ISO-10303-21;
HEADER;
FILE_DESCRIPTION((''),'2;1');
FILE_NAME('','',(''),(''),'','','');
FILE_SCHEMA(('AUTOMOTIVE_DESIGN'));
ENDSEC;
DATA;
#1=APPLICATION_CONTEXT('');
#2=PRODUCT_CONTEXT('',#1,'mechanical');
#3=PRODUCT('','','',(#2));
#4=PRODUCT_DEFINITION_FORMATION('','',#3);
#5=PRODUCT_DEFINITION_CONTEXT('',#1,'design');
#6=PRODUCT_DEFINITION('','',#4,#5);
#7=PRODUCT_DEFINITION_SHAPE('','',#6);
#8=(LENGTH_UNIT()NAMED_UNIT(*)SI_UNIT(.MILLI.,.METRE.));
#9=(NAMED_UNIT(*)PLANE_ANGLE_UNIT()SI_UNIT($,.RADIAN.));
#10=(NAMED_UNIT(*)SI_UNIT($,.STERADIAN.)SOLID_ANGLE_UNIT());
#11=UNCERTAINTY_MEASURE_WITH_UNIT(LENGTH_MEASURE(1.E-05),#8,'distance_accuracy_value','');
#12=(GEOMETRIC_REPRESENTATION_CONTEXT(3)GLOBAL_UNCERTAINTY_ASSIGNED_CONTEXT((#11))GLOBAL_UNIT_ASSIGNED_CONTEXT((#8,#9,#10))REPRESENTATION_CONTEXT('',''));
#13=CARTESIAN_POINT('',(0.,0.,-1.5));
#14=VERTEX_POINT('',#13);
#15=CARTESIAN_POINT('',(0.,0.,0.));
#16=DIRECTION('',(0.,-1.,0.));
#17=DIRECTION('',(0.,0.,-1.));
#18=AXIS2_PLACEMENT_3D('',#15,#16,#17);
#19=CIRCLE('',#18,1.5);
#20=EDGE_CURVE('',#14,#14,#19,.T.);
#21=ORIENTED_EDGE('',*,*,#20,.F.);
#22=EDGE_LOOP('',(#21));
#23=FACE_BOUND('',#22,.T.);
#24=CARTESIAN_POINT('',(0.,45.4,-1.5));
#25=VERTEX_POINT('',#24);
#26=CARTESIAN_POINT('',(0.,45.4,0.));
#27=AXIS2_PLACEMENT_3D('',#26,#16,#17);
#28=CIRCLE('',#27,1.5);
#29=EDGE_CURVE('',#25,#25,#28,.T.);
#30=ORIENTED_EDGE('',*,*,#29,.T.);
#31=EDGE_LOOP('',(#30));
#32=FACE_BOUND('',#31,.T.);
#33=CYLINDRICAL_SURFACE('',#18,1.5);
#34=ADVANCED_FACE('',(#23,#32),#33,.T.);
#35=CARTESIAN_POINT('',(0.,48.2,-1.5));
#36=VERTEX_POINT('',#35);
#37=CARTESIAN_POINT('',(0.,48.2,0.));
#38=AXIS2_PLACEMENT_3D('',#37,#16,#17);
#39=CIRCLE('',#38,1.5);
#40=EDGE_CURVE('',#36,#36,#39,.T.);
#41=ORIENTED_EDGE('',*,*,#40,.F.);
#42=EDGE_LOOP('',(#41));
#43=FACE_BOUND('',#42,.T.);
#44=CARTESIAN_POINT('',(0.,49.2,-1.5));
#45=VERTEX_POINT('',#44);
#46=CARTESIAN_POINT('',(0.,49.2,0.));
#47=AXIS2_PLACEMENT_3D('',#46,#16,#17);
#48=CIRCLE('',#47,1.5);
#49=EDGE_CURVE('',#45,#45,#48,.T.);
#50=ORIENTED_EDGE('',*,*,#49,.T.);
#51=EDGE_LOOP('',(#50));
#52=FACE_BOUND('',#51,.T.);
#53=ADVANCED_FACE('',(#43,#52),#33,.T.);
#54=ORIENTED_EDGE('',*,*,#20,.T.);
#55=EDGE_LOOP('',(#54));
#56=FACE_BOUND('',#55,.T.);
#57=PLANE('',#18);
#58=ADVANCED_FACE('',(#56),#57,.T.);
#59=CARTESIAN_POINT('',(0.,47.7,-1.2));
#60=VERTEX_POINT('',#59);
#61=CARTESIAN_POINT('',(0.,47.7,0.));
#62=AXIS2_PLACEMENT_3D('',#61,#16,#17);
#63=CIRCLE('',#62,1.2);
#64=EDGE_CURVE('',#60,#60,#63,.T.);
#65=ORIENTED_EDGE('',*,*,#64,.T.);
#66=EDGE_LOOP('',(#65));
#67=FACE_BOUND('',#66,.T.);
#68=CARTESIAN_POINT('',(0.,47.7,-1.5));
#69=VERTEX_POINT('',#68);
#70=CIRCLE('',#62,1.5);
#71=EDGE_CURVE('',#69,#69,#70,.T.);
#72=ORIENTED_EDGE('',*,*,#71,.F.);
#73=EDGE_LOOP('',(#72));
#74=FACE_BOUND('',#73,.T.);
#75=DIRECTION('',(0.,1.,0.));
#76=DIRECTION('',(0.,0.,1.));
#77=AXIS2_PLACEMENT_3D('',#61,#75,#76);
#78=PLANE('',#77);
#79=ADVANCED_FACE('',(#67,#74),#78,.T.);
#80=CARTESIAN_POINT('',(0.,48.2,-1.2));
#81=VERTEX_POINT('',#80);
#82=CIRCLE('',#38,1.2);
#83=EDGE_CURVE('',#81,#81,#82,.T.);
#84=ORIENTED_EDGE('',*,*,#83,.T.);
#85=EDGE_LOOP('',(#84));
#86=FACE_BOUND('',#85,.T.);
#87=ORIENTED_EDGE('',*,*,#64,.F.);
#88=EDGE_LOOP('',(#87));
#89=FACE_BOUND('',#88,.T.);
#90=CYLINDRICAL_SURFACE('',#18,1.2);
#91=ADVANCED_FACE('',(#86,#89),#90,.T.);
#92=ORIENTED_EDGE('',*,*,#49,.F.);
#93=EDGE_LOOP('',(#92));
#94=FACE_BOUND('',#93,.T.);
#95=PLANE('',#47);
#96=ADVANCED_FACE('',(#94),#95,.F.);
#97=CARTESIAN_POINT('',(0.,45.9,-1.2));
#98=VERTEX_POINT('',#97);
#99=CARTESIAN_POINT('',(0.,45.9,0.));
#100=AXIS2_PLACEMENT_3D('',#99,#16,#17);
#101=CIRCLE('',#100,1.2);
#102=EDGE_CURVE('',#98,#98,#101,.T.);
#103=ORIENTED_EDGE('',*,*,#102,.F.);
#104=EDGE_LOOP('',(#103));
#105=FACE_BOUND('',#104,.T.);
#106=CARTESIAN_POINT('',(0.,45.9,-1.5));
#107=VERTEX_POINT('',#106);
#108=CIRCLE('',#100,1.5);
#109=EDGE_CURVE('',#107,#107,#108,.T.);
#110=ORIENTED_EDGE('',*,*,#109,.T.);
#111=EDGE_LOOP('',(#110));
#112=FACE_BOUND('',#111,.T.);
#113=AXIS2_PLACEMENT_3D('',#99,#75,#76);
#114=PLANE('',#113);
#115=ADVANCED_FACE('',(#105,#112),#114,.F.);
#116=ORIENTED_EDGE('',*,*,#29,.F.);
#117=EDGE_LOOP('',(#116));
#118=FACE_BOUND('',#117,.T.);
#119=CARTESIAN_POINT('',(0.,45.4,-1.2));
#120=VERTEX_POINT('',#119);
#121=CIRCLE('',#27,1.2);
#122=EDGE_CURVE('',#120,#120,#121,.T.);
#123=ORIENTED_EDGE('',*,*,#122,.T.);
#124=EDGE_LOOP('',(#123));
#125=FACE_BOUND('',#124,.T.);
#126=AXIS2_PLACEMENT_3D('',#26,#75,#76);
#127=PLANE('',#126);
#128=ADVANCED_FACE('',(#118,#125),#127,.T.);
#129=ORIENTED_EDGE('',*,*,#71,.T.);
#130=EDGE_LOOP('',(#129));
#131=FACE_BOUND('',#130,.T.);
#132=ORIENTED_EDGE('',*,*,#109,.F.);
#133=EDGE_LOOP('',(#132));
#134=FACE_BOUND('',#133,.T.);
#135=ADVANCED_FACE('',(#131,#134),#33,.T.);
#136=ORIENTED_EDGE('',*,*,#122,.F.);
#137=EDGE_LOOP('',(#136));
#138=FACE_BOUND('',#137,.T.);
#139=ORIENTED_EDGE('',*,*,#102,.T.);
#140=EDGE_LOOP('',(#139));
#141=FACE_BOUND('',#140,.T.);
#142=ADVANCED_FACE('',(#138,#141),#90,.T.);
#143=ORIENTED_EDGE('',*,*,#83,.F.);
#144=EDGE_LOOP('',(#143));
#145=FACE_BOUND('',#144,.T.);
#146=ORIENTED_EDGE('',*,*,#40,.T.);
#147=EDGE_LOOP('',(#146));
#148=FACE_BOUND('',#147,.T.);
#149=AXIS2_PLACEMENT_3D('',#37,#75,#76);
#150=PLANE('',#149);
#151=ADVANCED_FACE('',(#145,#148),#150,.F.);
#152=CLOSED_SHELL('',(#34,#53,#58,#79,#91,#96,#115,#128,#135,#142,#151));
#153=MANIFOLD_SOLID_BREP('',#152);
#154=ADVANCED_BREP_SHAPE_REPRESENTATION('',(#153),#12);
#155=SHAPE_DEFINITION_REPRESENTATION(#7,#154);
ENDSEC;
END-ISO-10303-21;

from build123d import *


with BuildPart() as part:
    # Эскиз2 → Повернуть1 (revolve)
    with BuildSketch(Plane(origin=(0, 0, 0), x_dir=(0, 0, -1), z_dir=(1, 0, 0))):
        Polygon((0, 49.2), (0, 0), (1.5, 0), (1.5, 45.4), (1.2, 45.4), (1.2, 45.9), (1.5, 45.9), (1.5, 47.7), (1.2, 47.7), (1.2, 48.2), (1.5, 48.2), (1.5, 49.2), align=None)
    revolve(axis=Axis((0, 0, 0), (0, 1, 0)))


solid = part.part
